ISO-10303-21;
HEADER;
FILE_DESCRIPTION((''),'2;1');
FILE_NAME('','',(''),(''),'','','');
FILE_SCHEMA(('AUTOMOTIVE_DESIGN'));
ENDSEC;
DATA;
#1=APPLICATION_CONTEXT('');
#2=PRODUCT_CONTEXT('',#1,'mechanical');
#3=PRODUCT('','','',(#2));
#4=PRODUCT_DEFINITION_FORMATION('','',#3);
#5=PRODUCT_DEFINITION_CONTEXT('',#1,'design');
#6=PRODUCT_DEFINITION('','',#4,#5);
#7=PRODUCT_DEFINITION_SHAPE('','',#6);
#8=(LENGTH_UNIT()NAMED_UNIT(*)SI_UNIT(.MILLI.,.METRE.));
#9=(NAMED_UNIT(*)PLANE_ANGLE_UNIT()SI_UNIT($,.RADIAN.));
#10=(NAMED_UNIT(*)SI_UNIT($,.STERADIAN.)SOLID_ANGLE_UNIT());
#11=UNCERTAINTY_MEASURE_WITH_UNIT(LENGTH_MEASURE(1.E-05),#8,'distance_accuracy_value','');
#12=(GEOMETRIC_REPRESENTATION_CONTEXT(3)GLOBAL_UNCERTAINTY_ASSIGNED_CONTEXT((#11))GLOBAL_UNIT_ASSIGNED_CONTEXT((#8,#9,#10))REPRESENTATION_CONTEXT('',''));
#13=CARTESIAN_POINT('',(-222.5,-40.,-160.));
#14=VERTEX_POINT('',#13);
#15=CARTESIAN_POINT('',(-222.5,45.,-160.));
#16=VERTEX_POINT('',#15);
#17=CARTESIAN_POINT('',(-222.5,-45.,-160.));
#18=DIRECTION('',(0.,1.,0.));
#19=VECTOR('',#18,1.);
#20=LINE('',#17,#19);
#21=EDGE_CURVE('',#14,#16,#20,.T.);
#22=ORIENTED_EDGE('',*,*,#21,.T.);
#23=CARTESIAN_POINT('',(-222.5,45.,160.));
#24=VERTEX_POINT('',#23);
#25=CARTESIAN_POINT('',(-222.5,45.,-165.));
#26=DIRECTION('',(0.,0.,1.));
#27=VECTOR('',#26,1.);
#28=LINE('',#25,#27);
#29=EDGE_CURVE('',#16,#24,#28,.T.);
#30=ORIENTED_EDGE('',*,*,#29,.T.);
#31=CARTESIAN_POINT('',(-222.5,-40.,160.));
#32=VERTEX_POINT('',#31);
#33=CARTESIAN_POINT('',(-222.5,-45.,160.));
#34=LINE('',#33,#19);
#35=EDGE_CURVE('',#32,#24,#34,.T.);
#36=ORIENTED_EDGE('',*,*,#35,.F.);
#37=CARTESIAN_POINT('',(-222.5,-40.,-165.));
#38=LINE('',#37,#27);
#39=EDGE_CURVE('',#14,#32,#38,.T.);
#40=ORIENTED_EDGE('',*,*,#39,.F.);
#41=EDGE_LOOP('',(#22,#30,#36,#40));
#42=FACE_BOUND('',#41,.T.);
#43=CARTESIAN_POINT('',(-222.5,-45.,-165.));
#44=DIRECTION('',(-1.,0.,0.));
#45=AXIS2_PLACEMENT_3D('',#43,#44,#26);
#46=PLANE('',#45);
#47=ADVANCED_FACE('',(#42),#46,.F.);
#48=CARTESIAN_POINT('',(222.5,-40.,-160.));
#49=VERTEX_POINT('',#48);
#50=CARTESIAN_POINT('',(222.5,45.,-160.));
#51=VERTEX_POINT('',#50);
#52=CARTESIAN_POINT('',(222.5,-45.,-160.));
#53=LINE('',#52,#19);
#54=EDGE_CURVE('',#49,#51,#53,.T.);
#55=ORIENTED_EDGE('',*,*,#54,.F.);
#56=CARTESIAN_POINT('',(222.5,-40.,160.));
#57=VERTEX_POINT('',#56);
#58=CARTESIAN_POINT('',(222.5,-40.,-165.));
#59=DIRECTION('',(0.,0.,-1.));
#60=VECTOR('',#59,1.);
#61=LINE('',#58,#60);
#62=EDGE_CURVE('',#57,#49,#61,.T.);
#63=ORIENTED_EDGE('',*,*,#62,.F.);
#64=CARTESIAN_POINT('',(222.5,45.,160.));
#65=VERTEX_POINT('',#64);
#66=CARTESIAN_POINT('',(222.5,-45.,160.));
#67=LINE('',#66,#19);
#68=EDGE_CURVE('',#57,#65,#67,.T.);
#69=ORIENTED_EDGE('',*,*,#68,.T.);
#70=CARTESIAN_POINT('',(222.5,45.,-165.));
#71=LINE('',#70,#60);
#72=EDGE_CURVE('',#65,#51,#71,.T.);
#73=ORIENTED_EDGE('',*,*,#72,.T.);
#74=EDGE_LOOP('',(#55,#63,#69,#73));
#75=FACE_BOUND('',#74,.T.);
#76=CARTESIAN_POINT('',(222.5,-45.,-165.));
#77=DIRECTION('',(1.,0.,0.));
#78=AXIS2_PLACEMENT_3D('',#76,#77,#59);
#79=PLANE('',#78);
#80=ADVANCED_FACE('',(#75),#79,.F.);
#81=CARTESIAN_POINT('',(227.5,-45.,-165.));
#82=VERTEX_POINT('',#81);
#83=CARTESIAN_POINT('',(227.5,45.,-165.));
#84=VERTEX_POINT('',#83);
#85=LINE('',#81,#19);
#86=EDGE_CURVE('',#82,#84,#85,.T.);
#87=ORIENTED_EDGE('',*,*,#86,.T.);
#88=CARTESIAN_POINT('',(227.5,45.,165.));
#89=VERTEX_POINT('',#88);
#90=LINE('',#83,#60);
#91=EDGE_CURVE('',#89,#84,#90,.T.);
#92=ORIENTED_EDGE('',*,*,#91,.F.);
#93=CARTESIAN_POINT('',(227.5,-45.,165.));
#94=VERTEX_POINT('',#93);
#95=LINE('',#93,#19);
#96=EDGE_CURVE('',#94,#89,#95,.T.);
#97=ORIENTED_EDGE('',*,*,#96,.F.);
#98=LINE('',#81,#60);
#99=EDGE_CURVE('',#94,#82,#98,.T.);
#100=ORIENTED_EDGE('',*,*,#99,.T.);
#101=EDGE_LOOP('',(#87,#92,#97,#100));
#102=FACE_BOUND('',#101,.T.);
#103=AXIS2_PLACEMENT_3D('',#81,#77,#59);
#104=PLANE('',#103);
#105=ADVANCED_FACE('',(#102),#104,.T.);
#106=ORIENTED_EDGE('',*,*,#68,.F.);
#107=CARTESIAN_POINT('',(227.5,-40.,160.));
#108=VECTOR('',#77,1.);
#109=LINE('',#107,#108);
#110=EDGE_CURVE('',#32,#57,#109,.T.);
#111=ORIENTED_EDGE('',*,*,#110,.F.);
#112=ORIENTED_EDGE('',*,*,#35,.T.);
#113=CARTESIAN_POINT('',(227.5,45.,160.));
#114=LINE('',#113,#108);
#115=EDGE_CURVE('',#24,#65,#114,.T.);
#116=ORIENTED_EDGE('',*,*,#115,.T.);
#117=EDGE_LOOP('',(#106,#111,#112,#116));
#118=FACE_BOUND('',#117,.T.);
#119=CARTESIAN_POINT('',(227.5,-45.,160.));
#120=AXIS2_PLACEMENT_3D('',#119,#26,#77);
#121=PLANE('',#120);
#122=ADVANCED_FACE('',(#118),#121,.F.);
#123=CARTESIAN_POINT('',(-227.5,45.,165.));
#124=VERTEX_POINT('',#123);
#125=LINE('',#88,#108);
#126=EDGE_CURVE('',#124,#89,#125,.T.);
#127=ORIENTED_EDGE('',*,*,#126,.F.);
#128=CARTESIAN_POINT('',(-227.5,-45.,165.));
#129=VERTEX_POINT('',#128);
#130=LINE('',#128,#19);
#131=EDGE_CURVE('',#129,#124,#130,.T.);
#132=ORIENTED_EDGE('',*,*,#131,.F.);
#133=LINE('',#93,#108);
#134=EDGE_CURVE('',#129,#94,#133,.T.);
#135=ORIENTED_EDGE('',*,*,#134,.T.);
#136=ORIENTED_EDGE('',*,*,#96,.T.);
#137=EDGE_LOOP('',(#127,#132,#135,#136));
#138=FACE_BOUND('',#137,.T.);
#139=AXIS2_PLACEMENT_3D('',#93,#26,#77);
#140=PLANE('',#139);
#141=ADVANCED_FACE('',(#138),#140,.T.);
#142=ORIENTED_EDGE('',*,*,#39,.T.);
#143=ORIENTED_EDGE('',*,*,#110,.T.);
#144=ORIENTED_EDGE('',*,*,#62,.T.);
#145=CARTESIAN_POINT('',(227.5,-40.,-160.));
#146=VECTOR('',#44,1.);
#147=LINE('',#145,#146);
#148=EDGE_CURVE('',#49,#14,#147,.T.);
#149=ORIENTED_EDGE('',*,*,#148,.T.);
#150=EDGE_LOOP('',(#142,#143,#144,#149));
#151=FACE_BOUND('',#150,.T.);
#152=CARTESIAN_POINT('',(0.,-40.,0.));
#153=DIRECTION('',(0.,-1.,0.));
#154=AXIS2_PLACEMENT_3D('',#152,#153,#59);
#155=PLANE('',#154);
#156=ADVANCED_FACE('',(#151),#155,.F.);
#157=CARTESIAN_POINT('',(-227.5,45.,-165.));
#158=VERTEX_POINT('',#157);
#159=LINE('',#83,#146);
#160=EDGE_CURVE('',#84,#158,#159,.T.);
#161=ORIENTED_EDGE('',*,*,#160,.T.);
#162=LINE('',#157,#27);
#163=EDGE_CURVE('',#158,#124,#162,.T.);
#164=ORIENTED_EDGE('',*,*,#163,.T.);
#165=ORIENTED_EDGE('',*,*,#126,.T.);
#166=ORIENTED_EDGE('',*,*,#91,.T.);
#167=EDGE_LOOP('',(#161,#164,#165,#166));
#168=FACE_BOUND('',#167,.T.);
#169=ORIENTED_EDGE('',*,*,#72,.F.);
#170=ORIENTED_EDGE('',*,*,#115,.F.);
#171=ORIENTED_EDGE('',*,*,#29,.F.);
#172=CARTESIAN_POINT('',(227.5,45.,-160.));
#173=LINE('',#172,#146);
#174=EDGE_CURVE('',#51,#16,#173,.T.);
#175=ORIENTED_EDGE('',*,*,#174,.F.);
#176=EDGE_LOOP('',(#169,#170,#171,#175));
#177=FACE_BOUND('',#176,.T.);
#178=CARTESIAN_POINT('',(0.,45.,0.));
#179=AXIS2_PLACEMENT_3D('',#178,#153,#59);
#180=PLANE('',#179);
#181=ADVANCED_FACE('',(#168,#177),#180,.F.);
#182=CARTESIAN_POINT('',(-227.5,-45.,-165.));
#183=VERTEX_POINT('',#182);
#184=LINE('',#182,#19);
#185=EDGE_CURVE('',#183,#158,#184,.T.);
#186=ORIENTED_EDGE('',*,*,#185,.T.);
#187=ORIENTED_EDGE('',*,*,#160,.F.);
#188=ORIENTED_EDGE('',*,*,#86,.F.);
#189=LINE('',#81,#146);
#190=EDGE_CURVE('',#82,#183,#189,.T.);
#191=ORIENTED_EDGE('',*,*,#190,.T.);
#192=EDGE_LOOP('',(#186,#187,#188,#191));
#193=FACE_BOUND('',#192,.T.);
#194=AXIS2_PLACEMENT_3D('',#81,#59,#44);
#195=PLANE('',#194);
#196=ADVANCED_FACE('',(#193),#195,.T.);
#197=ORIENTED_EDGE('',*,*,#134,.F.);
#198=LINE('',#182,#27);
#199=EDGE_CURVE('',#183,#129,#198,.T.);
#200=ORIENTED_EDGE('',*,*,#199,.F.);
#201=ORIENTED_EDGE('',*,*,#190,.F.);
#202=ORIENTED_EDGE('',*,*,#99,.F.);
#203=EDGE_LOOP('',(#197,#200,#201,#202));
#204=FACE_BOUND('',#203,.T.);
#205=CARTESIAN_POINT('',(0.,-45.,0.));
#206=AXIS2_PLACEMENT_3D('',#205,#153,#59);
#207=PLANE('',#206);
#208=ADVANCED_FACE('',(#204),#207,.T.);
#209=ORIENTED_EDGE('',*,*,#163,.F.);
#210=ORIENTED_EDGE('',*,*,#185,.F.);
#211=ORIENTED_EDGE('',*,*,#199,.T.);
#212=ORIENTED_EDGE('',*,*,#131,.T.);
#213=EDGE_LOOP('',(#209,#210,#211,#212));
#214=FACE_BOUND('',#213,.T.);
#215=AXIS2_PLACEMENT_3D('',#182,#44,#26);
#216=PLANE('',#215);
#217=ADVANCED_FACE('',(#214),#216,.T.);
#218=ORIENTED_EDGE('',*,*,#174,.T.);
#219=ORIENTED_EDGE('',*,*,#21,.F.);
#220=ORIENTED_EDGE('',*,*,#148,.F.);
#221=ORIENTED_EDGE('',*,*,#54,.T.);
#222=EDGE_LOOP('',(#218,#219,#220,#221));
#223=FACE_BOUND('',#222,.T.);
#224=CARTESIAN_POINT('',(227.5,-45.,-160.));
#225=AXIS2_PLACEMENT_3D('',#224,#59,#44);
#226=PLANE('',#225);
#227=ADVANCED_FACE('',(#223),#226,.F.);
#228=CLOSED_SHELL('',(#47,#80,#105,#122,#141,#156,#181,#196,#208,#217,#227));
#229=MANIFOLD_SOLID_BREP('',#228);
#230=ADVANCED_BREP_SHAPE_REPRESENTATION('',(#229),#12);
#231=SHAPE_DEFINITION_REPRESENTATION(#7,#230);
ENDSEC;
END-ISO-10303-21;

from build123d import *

# Parameters (mm, degrees)
SKETCH1_W           = 455
SKETCH1_H           = 330
BOSS_EXTRUDE1_DEPTH = 45
SHELL1_T            = -5


with BuildPart() as part:
    # Sketch1 → Boss-Extrude1 (new, symmetric)
    with BuildSketch(Plane(origin=(0, 0, 0), x_dir=(1, 0, 0), z_dir=(0, 1, 0))):
        Rectangle(SKETCH1_W, SKETCH1_H)
    extrude(amount=BOSS_EXTRUDE1_DEPTH, both=True)

    # Shell1
    shell1_openings = [part.faces().sort_by_distance(p)[0] for p in [
        (0, 45, 0),
    ]]
    offset(amount=SHELL1_T, openings=shell1_openings, kind=Kind.INTERSECTION)


solid = part.part
